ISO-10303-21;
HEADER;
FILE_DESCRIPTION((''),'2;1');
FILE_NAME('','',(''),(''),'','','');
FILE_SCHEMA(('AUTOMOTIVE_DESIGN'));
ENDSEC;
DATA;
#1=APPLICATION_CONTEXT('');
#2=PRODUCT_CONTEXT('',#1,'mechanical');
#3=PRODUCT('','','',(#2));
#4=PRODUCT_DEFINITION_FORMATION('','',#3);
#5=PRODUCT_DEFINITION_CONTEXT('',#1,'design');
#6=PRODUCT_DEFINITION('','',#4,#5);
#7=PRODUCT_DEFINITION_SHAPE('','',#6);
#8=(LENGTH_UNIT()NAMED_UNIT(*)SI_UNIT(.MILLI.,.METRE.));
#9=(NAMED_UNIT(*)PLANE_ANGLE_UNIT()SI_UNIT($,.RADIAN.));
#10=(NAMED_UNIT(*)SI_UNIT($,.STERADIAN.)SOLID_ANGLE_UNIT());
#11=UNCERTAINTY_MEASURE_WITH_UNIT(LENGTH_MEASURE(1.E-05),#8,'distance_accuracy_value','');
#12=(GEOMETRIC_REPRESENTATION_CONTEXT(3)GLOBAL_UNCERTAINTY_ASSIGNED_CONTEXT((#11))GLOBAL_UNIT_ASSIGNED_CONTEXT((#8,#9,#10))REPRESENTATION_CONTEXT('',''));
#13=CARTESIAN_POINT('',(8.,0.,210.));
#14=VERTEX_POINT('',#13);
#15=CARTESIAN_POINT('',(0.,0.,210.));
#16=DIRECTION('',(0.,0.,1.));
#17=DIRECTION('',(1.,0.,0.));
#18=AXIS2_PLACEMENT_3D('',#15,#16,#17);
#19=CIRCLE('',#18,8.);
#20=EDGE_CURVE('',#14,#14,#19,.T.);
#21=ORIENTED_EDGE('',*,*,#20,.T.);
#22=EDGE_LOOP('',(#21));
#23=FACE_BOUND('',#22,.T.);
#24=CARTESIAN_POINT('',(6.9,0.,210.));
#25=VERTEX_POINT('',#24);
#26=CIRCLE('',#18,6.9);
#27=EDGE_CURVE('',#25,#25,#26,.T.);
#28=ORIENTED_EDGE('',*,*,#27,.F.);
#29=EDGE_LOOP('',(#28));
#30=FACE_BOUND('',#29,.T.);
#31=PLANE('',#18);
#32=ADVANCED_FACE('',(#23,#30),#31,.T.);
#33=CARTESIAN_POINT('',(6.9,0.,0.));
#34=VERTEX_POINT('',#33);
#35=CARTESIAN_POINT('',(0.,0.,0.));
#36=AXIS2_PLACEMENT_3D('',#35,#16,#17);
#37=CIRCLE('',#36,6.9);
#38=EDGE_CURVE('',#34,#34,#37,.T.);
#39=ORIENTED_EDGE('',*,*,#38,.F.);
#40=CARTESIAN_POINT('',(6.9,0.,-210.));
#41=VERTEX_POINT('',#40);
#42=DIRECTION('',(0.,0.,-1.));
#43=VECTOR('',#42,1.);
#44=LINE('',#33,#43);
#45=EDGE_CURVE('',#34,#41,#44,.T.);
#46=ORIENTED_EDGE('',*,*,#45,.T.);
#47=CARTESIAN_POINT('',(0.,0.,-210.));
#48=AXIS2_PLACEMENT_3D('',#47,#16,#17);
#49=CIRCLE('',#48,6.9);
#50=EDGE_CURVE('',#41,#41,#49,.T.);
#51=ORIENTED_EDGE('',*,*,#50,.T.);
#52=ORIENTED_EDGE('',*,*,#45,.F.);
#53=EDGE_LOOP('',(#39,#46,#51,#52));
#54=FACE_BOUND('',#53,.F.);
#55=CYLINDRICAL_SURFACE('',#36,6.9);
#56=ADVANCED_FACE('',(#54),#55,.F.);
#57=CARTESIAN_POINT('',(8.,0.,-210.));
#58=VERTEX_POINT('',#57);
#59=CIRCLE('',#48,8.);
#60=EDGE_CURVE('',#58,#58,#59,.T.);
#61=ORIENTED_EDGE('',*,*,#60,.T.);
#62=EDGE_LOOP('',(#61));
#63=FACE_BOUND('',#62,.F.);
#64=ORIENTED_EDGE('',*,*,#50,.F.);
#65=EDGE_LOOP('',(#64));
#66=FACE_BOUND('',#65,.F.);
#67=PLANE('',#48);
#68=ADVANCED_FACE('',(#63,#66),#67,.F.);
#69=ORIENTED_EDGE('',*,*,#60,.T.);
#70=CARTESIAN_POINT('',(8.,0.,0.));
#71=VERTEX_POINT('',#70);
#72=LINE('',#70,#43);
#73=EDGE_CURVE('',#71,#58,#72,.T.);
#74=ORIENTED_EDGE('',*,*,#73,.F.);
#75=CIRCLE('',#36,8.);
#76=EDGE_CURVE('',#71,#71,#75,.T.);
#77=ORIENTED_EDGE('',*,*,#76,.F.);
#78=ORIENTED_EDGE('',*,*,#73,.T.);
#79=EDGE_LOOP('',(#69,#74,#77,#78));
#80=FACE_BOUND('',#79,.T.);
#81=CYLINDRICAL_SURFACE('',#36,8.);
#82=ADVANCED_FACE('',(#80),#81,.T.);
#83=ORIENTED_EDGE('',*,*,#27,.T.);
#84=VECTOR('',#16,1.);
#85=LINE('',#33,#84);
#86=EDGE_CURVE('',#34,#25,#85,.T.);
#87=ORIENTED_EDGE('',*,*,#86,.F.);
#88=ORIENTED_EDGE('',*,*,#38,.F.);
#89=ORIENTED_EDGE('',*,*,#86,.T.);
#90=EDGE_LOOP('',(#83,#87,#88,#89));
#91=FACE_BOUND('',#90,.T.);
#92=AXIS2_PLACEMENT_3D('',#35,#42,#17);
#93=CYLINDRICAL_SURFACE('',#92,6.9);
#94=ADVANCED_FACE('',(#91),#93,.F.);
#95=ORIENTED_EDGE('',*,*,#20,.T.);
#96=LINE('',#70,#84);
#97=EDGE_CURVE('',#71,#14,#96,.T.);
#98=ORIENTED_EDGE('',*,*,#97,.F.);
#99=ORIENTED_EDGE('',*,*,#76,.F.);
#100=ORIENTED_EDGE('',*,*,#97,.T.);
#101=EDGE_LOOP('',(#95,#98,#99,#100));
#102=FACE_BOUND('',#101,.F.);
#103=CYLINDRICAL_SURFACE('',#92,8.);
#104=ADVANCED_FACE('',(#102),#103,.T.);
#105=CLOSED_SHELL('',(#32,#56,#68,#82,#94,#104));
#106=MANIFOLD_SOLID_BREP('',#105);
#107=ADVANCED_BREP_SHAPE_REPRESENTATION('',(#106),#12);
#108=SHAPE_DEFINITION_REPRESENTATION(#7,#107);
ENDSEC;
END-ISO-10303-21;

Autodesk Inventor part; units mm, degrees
ref_plane "YZ Plane" through (0, 0, 0) normal (1, 0, 0) x (0, 1, 0)
ref_plane "XZ Plane" through (0, 0, 0) normal (0, 1, 0) x (-1, 0, 0)
ref_plane "XY Plane" through (0, 0, 0) normal (0, 0, 1) x (1, 0, 0)
sketch "スケッチ1" plane through (0, 0, 0) normal (0, 0, 1) x (1, 0, 0)
  circle A0 centre (0, 0) radius 8
  circle A1 centre (0, 0) radius 6.9
  dimension "d0" = 16
  dimension "d1" = 13.8
extrude "押し出し1" add sketch "スケッチ1" along normal mid plane 420
properties part number "pipe_16mm"
